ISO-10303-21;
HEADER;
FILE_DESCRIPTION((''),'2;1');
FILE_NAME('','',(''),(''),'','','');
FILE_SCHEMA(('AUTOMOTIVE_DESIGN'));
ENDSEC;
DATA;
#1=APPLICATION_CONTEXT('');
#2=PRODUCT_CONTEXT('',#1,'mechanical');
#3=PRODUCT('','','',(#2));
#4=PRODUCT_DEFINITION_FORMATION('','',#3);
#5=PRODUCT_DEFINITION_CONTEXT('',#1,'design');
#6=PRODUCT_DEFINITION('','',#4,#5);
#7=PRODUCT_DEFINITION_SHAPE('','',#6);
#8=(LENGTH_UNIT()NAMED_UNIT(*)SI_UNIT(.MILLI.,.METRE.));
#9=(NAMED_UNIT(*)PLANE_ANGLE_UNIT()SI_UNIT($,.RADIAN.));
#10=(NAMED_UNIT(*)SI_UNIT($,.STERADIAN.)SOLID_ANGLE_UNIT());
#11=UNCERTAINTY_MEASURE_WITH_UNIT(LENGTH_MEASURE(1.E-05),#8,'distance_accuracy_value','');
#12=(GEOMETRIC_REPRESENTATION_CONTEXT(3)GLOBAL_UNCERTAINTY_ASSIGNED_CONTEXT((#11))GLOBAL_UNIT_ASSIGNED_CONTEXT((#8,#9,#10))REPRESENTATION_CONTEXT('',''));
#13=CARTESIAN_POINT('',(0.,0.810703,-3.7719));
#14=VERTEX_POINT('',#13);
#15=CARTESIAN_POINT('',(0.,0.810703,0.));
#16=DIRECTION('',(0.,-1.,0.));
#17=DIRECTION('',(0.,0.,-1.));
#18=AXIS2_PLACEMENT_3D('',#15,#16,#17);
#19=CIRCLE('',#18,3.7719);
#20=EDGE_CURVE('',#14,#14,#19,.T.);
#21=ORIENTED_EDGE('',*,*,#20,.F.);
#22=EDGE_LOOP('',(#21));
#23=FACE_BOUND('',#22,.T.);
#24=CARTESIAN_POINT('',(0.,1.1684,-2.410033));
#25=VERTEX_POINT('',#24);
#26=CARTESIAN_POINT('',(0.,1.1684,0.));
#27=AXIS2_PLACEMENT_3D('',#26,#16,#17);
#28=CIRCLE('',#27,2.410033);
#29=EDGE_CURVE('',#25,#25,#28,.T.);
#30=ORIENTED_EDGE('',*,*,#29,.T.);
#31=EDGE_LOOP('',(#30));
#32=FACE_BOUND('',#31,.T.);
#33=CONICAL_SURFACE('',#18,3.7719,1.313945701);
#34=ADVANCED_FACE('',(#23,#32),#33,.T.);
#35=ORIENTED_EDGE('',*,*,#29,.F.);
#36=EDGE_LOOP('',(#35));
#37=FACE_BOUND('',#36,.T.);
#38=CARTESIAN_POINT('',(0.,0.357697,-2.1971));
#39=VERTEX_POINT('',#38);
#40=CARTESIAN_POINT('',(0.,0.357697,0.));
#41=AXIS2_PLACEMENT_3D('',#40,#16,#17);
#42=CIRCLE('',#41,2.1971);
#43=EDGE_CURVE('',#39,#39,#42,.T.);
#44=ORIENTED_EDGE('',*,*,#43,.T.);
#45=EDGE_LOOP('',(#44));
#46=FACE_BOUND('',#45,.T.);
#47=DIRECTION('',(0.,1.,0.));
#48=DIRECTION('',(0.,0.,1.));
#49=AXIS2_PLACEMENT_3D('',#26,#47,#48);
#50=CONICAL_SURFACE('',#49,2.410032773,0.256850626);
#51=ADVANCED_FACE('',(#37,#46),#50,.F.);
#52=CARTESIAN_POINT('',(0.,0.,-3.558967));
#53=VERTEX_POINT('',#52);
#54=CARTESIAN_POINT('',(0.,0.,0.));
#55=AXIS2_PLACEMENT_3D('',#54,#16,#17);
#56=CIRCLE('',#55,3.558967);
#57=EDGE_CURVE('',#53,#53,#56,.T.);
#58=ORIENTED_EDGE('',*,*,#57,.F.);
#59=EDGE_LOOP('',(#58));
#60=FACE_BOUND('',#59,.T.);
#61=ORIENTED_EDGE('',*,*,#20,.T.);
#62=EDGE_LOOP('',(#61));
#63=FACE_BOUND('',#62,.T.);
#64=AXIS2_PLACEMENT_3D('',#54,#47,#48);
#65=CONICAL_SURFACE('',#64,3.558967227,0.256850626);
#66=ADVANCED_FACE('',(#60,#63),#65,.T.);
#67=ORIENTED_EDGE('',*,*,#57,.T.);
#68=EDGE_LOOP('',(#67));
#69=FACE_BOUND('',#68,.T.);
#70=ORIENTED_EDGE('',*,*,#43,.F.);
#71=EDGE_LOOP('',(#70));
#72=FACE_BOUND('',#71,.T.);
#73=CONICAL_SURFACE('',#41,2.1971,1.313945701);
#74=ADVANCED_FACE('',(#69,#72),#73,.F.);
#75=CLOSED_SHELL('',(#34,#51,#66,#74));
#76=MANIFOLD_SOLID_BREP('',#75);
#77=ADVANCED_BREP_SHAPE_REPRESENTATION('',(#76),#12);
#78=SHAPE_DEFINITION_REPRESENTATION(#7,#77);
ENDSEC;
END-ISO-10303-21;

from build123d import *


with BuildPart() as part:
    # Sketch1 → Revolve1 (revolve)
    with BuildSketch(Plane.XY, mode=Mode.PRIVATE) as revolve1_sk:
        Polygon((3.558967227, 0), (2.1971, 0.357697296), (2.410032773, 1.1684), (3.7719, 0.810702704), align=None)
    revolve(revolve1_sk.sketch.rotate(Axis((0, 0, 0), (0, 1, 0)), 90), axis=Axis((0, 0, 0), (0, 1, 0)))


solid = part.part
